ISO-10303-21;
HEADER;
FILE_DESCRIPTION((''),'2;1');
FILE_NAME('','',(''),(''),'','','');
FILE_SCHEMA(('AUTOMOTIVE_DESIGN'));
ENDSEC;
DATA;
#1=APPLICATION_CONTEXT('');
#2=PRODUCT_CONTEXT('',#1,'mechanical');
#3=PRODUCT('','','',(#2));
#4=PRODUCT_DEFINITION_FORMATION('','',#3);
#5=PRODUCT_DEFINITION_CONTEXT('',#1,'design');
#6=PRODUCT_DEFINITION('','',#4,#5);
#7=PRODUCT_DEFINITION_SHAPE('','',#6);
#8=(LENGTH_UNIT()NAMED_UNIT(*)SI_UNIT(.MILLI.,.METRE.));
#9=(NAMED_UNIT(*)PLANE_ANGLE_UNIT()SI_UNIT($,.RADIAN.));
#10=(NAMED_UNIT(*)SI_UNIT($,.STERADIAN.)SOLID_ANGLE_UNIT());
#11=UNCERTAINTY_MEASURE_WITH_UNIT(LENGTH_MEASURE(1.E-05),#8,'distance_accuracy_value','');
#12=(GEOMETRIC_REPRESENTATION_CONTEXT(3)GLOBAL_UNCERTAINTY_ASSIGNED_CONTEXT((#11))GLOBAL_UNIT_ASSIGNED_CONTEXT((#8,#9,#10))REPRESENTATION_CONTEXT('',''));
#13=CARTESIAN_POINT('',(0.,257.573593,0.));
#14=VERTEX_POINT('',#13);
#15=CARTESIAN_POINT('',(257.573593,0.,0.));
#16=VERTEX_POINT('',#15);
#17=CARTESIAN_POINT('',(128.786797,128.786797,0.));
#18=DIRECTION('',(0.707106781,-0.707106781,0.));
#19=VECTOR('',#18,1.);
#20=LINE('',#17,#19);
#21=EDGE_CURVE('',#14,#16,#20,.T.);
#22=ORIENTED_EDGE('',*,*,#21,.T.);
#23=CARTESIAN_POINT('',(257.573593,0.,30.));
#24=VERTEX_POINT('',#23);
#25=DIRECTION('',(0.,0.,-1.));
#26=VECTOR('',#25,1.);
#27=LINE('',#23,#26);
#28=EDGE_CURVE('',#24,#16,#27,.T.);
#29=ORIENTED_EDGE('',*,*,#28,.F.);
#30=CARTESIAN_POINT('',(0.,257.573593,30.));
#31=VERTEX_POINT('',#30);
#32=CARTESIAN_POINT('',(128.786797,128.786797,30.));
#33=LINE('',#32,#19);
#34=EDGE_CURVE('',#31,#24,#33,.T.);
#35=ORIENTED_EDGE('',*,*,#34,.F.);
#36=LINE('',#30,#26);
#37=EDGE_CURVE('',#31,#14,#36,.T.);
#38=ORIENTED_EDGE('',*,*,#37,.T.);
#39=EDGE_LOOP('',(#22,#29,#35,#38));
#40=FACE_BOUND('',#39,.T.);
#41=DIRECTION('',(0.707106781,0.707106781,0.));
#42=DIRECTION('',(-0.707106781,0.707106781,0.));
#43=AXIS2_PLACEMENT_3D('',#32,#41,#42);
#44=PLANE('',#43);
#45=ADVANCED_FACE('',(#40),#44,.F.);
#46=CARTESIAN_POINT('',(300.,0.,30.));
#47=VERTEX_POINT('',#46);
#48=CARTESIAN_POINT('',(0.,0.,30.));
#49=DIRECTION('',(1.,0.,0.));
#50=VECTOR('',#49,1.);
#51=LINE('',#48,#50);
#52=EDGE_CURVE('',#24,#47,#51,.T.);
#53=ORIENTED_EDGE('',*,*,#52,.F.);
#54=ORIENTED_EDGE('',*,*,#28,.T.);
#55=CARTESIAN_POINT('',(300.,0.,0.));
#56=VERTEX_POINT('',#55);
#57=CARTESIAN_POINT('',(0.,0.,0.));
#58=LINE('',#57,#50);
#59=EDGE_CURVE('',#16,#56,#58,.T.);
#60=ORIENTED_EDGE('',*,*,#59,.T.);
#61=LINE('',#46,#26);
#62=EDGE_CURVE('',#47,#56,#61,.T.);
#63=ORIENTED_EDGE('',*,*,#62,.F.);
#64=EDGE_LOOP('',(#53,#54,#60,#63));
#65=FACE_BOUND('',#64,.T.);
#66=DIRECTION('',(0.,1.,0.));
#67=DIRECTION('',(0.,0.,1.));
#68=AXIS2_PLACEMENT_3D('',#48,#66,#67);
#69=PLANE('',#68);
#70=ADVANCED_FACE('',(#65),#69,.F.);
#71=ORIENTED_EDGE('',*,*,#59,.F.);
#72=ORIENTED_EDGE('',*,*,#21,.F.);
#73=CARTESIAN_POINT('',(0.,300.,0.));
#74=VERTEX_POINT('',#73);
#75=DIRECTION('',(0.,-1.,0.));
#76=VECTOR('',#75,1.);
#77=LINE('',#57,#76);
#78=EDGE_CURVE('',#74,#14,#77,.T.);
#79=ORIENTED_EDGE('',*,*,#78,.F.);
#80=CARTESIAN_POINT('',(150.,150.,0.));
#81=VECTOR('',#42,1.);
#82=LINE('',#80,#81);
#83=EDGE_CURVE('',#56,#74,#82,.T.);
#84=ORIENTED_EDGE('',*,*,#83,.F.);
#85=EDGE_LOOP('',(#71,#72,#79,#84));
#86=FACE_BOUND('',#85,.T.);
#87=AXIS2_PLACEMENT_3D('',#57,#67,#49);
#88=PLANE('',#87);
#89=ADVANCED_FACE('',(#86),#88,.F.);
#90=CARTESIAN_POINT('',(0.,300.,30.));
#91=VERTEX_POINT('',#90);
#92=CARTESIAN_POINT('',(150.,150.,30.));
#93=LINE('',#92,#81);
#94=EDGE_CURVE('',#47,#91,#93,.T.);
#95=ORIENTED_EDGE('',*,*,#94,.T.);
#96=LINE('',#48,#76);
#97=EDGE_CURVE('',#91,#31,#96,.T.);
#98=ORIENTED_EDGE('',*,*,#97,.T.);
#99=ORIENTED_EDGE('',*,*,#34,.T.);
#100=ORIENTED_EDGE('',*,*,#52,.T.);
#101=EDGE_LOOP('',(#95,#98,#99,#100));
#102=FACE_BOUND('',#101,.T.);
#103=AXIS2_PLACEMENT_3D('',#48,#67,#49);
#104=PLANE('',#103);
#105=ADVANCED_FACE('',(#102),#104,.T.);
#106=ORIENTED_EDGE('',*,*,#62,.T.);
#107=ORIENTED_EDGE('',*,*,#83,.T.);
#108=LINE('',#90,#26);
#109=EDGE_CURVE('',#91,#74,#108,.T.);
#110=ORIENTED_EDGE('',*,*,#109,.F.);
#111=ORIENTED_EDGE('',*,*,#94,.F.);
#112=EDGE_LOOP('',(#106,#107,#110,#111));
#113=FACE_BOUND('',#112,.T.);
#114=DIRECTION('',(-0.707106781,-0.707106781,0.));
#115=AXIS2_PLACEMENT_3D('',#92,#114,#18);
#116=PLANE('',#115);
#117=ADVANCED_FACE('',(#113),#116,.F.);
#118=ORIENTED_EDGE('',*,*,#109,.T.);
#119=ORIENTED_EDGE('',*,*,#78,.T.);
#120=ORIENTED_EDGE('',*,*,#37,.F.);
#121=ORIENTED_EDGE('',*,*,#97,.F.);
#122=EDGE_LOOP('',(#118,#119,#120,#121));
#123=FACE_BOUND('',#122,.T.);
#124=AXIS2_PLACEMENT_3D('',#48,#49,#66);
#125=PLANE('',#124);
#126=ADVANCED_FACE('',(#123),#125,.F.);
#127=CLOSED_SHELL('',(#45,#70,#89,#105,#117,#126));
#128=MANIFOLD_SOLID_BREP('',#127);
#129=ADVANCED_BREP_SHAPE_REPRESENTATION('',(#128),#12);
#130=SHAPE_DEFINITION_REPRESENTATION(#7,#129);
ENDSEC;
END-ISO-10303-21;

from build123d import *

# Parameters (mm, degrees)
EXTRUDE_1_DEPTH = 30


with BuildPart() as part:
    # 草图1 → 凸台-拉伸1 (new body)
    with BuildSketch(Plane.XY):
        Polygon((300, 0), (0, 300), (0, 257.573593129), (257.573593129, 0), align=None)
    extrude(amount=EXTRUDE_1_DEPTH)


solid = part.part
